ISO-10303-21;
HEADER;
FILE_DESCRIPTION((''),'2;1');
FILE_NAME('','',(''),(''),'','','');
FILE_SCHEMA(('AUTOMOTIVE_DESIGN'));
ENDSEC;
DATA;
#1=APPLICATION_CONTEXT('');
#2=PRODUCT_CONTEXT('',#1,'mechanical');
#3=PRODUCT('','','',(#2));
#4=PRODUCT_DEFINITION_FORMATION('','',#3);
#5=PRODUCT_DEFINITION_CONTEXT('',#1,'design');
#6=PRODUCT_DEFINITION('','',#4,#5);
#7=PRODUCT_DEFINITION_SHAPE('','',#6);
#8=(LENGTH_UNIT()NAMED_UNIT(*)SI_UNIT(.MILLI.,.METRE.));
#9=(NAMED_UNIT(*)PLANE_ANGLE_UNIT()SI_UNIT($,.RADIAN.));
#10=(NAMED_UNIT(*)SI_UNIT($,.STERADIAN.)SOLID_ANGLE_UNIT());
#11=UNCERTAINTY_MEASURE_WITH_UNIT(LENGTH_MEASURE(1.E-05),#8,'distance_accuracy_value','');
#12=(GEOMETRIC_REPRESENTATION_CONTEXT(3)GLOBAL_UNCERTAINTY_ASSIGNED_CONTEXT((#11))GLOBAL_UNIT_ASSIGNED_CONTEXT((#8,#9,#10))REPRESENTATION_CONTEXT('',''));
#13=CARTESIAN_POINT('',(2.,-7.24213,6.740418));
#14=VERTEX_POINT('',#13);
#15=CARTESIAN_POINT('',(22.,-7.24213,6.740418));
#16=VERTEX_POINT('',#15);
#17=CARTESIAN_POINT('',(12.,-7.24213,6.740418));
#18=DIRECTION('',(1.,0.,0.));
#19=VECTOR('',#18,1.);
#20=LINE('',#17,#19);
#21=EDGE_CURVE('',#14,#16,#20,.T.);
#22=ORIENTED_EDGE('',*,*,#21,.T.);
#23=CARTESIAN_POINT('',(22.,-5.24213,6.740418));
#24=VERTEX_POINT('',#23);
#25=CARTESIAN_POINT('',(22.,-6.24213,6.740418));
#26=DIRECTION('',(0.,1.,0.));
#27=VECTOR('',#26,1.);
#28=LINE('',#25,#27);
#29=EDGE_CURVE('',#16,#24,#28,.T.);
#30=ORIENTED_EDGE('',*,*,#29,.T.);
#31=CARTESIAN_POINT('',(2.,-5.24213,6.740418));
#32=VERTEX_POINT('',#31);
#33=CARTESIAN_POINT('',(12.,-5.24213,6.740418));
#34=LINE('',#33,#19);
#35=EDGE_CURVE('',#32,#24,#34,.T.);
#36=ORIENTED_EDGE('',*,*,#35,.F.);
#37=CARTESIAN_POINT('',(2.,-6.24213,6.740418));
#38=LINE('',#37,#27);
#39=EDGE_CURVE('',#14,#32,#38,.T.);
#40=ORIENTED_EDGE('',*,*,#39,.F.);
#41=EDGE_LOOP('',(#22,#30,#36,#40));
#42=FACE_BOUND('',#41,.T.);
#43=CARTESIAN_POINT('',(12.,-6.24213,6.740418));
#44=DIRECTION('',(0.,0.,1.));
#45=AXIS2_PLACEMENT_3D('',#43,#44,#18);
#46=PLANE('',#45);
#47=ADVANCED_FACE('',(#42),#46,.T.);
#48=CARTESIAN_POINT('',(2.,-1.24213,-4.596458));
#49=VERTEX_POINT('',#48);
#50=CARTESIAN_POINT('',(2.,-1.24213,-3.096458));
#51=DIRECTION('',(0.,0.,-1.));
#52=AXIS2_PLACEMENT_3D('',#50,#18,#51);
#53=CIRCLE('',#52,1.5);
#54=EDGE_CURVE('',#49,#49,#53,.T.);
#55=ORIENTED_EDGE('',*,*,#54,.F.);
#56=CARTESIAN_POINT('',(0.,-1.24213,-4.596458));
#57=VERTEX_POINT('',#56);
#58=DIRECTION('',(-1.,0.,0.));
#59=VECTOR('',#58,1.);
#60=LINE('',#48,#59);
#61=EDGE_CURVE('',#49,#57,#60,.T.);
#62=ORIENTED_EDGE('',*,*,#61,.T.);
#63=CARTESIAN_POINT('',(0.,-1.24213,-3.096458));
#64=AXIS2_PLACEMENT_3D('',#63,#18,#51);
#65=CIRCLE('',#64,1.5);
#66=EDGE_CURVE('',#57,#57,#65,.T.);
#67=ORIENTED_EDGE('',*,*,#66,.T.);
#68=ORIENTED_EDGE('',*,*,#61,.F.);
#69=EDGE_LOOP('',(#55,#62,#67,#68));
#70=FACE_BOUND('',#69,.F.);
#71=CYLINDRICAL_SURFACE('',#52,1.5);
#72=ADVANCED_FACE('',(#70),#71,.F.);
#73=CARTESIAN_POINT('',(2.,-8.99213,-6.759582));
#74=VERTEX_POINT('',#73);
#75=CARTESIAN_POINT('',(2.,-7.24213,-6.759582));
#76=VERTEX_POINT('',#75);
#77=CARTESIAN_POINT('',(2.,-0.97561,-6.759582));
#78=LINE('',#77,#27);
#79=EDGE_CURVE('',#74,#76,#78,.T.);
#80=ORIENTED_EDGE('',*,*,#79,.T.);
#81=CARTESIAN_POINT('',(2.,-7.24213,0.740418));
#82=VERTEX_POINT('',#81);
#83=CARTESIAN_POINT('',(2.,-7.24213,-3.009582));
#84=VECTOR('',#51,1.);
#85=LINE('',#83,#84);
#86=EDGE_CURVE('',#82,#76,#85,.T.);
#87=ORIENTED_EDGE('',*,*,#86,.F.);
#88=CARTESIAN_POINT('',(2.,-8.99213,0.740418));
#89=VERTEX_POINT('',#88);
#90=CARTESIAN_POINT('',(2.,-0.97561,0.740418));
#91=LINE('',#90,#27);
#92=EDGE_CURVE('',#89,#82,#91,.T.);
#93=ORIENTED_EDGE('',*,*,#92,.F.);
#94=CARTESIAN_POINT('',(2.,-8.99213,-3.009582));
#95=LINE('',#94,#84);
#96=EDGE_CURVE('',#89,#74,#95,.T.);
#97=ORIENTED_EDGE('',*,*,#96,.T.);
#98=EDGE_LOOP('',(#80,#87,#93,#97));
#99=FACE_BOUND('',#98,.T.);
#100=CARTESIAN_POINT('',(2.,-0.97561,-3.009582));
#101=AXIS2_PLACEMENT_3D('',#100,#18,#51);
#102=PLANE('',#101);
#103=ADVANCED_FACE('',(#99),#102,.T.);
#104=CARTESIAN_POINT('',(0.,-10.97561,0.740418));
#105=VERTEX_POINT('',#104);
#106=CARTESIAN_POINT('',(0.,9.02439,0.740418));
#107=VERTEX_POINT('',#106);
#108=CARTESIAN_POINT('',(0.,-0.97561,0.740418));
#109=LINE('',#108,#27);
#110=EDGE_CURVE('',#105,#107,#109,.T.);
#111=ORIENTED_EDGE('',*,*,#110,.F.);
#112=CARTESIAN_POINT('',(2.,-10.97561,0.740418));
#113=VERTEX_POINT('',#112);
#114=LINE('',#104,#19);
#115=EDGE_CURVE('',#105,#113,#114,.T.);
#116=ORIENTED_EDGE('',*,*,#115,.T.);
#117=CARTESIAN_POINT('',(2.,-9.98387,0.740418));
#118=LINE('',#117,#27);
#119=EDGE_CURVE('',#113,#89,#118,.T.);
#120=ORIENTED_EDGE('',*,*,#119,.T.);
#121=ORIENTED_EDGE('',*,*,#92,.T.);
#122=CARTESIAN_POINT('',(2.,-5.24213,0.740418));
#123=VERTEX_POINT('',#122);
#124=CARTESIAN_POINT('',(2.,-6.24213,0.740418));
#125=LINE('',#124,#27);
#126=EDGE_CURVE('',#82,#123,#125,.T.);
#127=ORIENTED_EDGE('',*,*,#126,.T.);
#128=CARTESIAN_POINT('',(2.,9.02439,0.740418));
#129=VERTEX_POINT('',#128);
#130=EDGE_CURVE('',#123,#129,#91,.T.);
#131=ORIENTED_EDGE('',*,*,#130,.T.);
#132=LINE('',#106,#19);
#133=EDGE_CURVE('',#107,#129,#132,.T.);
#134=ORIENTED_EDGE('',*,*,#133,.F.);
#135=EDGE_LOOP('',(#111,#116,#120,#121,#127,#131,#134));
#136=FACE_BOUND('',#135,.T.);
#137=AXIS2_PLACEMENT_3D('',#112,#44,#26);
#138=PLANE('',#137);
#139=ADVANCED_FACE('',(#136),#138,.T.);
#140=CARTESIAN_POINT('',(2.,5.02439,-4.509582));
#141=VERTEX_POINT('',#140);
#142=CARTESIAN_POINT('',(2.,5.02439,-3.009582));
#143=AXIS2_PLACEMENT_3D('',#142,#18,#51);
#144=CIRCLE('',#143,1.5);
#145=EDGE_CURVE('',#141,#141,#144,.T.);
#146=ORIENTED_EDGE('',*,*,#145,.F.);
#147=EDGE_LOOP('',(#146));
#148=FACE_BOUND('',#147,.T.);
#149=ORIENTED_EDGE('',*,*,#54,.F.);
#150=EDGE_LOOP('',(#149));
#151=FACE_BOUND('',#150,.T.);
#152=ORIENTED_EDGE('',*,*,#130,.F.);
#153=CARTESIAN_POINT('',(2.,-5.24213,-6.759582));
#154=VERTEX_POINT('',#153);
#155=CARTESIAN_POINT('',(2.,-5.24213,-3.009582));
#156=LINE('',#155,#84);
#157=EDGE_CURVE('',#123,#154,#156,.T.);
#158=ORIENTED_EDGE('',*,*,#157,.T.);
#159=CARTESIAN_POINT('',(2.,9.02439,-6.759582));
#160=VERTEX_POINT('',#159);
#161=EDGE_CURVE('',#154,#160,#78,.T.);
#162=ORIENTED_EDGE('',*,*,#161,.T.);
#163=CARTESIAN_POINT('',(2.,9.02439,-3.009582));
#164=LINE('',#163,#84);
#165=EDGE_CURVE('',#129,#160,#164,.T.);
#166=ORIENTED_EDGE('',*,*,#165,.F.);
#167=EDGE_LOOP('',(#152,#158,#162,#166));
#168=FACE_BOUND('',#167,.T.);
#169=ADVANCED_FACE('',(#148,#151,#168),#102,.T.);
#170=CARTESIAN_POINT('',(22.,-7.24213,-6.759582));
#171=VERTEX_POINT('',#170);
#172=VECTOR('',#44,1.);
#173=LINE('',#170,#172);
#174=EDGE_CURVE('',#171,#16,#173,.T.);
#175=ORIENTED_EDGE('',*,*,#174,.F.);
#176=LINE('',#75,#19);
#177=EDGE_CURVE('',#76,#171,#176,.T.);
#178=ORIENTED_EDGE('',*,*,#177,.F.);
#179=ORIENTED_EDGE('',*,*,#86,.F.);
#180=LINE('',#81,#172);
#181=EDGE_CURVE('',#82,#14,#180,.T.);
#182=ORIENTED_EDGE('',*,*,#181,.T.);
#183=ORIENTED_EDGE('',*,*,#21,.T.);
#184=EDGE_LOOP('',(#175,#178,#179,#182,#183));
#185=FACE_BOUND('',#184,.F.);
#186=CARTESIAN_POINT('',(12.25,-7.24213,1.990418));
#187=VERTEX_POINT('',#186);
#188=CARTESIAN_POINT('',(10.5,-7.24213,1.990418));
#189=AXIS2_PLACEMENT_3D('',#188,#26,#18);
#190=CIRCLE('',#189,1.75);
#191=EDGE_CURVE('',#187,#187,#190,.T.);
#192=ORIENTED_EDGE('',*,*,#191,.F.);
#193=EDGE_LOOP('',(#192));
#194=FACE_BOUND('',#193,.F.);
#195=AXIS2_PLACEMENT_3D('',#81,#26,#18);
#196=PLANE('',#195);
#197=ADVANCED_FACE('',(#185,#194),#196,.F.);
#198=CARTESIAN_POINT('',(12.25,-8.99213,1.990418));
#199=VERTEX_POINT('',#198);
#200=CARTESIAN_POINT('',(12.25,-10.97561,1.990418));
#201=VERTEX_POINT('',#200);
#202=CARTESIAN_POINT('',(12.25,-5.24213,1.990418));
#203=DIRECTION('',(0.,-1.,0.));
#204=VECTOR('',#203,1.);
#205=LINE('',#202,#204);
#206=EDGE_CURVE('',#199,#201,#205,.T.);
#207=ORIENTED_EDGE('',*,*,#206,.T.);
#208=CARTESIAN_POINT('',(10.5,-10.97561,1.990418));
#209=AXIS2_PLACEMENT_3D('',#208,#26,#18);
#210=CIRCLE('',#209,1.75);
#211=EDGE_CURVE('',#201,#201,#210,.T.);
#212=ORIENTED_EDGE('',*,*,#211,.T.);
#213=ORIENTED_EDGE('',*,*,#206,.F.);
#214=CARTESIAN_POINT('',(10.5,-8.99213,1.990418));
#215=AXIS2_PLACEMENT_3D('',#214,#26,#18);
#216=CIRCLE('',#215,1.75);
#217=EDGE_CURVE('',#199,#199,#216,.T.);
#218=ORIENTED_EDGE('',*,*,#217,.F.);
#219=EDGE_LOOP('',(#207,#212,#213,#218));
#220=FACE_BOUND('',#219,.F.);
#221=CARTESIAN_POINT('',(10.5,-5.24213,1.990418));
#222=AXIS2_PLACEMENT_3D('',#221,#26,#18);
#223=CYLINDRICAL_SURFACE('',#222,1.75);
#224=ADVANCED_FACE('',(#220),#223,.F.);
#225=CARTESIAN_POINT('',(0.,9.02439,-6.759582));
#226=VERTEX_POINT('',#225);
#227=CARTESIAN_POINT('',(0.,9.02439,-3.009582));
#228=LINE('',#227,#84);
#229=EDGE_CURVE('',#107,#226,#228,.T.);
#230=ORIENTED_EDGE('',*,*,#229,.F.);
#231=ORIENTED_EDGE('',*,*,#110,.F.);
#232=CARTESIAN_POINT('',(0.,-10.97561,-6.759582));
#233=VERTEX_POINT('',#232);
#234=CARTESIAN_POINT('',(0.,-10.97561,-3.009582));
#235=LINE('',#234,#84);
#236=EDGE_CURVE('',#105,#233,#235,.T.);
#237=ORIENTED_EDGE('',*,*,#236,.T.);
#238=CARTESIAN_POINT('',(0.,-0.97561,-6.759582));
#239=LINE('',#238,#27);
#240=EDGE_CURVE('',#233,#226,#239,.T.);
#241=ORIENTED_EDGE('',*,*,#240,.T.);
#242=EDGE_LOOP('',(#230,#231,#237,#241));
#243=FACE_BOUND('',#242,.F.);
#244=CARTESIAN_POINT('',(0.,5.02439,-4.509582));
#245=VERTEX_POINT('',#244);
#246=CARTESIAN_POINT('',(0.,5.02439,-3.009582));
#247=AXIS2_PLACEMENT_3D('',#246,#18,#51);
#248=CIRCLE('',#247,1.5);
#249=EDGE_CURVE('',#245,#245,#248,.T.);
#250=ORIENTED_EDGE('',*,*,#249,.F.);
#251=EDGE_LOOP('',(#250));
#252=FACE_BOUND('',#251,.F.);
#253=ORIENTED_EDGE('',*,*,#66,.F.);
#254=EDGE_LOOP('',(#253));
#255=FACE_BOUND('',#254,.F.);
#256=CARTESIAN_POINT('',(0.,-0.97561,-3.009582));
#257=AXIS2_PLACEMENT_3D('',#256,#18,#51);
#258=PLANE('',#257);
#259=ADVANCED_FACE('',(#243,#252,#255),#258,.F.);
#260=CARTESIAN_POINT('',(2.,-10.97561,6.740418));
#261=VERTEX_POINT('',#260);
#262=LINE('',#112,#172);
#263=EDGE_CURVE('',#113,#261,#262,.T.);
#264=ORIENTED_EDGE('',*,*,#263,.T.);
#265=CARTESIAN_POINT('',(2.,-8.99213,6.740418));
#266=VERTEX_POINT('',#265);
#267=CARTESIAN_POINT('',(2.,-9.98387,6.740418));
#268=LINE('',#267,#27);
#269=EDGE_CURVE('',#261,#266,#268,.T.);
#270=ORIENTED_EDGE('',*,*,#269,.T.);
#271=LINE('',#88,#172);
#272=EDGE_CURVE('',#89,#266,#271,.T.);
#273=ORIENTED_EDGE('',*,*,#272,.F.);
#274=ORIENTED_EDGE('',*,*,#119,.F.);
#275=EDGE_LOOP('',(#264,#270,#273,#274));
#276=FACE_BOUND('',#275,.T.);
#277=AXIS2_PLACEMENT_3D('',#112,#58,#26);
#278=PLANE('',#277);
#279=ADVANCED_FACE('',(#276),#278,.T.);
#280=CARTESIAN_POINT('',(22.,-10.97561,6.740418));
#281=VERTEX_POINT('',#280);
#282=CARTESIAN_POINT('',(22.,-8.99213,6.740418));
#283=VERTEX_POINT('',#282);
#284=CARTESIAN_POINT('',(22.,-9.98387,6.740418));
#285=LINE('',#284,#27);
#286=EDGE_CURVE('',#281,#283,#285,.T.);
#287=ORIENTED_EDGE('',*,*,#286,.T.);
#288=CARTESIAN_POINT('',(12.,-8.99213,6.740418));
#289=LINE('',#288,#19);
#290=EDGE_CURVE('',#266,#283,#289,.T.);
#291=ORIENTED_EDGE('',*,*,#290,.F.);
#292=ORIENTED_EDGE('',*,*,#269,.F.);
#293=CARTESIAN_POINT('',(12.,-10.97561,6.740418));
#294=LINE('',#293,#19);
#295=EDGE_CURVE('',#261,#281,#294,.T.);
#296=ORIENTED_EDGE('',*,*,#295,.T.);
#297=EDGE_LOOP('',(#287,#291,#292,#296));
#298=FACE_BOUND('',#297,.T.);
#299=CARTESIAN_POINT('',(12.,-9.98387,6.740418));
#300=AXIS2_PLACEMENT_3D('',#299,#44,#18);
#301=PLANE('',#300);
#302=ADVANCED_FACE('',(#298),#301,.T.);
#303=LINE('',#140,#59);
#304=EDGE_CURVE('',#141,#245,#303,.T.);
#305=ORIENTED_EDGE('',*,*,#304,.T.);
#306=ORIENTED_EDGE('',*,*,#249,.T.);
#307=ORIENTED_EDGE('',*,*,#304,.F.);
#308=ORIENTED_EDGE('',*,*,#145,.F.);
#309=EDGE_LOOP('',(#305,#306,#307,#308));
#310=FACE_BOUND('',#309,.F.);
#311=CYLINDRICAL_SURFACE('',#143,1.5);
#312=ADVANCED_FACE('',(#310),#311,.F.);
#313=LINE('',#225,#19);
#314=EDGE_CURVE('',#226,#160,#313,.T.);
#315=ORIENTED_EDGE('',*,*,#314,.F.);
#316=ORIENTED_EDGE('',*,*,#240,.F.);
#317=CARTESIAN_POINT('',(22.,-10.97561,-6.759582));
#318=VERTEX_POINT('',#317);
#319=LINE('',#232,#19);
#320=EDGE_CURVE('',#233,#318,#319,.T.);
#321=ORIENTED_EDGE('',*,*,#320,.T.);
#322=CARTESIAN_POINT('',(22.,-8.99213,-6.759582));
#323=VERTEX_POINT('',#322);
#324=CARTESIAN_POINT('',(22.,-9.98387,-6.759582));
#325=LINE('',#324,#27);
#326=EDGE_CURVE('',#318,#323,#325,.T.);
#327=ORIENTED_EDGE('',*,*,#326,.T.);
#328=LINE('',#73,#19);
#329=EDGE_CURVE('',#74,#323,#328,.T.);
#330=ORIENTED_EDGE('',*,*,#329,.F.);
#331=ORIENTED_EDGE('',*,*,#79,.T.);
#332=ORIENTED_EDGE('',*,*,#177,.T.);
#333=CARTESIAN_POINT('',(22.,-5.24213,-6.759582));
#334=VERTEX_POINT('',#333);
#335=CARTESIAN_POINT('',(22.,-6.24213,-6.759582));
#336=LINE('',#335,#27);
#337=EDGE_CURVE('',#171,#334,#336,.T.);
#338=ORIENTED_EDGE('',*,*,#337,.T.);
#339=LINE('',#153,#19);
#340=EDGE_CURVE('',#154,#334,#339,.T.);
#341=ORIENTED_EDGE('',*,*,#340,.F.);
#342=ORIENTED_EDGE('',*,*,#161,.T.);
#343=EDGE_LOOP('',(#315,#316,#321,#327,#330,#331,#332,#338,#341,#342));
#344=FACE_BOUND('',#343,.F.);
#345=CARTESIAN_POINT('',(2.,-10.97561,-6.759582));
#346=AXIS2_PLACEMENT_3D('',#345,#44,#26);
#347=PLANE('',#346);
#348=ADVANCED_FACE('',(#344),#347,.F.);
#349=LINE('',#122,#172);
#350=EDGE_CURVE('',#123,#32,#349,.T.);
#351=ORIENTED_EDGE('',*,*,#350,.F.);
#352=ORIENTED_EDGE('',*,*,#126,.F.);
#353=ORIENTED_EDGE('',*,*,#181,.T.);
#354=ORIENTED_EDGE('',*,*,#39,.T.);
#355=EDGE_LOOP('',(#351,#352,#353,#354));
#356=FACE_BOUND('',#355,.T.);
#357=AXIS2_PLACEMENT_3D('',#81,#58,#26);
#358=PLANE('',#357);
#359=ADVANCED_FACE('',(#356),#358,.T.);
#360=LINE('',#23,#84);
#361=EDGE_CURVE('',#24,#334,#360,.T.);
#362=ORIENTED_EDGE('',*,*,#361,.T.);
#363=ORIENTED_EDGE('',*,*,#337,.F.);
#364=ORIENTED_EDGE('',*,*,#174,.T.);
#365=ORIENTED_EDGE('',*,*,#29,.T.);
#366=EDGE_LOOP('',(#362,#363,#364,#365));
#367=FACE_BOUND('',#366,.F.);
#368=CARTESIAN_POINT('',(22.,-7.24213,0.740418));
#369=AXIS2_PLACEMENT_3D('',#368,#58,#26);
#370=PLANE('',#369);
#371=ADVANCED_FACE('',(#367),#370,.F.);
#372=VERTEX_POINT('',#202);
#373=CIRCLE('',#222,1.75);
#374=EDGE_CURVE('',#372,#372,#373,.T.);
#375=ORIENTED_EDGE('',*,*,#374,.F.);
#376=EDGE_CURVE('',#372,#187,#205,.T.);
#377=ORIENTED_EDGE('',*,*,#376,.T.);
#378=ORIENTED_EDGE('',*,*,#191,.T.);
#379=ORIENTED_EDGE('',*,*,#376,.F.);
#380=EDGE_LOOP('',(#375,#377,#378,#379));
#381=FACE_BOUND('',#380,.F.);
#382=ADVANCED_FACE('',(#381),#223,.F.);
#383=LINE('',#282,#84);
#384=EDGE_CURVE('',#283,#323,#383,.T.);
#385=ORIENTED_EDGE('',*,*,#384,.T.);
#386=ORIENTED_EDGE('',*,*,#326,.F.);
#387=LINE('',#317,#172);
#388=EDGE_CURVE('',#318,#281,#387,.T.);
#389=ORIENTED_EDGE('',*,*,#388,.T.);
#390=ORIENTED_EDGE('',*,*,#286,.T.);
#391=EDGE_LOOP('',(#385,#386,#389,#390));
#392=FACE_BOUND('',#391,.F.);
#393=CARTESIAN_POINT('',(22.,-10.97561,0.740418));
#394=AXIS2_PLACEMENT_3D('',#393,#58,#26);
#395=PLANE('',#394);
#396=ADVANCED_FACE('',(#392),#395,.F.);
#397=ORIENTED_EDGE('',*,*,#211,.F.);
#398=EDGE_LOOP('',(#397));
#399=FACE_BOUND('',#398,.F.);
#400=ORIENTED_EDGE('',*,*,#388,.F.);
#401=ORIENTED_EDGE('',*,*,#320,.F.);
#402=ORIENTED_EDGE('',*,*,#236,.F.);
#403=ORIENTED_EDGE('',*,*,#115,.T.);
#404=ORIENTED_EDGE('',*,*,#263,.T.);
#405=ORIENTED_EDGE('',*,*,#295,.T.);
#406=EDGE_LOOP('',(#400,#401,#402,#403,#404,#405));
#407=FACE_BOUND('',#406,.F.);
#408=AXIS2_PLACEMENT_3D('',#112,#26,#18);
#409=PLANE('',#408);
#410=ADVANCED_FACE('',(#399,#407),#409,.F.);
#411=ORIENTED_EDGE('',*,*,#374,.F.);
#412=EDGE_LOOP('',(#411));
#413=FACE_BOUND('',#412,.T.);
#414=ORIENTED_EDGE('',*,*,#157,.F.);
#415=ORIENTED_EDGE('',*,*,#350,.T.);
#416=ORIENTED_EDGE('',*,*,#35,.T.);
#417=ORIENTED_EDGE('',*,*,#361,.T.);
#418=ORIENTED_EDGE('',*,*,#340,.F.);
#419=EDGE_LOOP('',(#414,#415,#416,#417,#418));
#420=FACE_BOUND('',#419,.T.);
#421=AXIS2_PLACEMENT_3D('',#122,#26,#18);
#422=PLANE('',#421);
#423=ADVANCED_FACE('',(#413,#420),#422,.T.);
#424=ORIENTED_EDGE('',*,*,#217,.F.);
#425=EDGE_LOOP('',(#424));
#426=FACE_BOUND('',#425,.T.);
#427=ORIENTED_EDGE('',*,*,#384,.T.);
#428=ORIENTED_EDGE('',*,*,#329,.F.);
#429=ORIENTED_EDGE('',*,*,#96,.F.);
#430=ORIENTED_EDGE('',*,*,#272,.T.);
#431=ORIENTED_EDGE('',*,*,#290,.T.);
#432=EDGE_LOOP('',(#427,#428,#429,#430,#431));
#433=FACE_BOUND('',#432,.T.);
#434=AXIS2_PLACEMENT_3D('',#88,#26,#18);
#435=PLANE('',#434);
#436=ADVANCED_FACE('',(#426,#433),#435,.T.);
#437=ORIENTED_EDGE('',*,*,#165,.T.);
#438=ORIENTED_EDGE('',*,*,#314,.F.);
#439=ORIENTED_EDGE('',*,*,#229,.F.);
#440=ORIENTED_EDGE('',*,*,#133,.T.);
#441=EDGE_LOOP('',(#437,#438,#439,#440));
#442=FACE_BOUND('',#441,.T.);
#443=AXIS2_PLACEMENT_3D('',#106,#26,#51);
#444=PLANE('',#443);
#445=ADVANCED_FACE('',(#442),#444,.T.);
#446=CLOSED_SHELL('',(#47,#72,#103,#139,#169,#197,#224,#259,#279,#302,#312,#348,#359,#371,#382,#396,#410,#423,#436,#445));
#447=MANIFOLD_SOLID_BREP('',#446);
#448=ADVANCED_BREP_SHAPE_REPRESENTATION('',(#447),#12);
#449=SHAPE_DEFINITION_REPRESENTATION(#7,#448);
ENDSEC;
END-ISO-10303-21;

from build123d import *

# Parameters (mm, degrees)
SKETCH1_W           = 7.5
SKETCH1_H           = 20
BOSS_EXTRUDE2_DEPTH = 2
SKETCH2_W           = 7.5
SKETCH2_H           = 1.98347932
BOSS_EXTRUDE3_DEPTH = 20
SKETCH3_W           = 7.5
SKETCH3_H           = 2
BOSS_EXTRUDE4_DEPTH = 20
SKETCH5_R           = 1.5
CUT_EXTRUDE1_DEPTH  = 20
SKETCH8_W           = 20
SKETCH8_H           = 2
BOSS_EXTRUDE6_DEPTH = 6
SKETCH9_W           = 20
SKETCH9_H           = 1.98347932
BOSS_EXTRUDE7_DEPTH = 6
SKETCH10_R          = 1.75
CUT_EXTRUDE2_DEPTH  = 6


with BuildPart() as part:
    # Sketch1 → Boss-Extrude2 (new body)
    with BuildSketch(Plane(origin=(0, 0, 0), x_dir=(0, 0, -1), z_dir=(1, 0, 0))):
        with Locations((3.009581882, -0.975609756)):
            Rectangle(SKETCH1_W, SKETCH1_H)
    extrude(amount=BOSS_EXTRUDE2_DEPTH)

    # Sketch2 → Boss-Extrude3 (add)
    with BuildSketch(Plane(origin=(2, 0, 0), x_dir=(0, 0, -1), z_dir=(1, 0, 0))):
        with Locations((3.009581882, -9.983870096)):
            Rectangle(SKETCH2_W, SKETCH2_H)
    extrude(amount=BOSS_EXTRUDE3_DEPTH)

    # Sketch3 → Boss-Extrude4 (add)
    with BuildSketch(Plane(origin=(2, 0, 0), x_dir=(0, 0, -1), z_dir=(1, 0, 0))):
        with Locations((3.009581882, -6.242130436)):
            Rectangle(SKETCH3_W, SKETCH3_H)
    extrude(amount=BOSS_EXTRUDE4_DEPTH)

    # Sketch5 → Cut-Extrude1 (cut)
    with BuildSketch(Plane(origin=(2, 0, 0), x_dir=(0, 0, -1), z_dir=(1, 0, 0))):
        with Locations((3.009581882, 5.024390244)):
            Circle(SKETCH5_R)
        with Locations((3.096458319, -1.242130436)):
            Circle(SKETCH5_R)
    extrude(amount=-CUT_EXTRUDE1_DEPTH, mode=Mode.SUBTRACT)

    # Sketch8 → Boss-Extrude6 (add)
    with BuildSketch(Plane.XY.offset(0.740418118)):
        with Locations((12, -6.242130436)):
            Rectangle(SKETCH8_W, SKETCH8_H)
    extrude(amount=BOSS_EXTRUDE6_DEPTH)

    # Sketch9 → Boss-Extrude7 (add)
    with BuildSketch(Plane.XY.offset(0.740418118)):
        with Locations((12, -9.983870096)):
            Rectangle(SKETCH9_W, SKETCH9_H)
    extrude(amount=BOSS_EXTRUDE7_DEPTH)

    # Sketch10 → Cut-Extrude2 (cut)
    with BuildSketch(Plane(origin=(0, -5.242130436, 0), x_dir=(1, 0, 0), z_dir=(0, 1, 0))):
        with Locations((10.5, -1.990418118)):
            Circle(SKETCH10_R)
    extrude(amount=-CUT_EXTRUDE2_DEPTH, mode=Mode.SUBTRACT)


solid = part.part
